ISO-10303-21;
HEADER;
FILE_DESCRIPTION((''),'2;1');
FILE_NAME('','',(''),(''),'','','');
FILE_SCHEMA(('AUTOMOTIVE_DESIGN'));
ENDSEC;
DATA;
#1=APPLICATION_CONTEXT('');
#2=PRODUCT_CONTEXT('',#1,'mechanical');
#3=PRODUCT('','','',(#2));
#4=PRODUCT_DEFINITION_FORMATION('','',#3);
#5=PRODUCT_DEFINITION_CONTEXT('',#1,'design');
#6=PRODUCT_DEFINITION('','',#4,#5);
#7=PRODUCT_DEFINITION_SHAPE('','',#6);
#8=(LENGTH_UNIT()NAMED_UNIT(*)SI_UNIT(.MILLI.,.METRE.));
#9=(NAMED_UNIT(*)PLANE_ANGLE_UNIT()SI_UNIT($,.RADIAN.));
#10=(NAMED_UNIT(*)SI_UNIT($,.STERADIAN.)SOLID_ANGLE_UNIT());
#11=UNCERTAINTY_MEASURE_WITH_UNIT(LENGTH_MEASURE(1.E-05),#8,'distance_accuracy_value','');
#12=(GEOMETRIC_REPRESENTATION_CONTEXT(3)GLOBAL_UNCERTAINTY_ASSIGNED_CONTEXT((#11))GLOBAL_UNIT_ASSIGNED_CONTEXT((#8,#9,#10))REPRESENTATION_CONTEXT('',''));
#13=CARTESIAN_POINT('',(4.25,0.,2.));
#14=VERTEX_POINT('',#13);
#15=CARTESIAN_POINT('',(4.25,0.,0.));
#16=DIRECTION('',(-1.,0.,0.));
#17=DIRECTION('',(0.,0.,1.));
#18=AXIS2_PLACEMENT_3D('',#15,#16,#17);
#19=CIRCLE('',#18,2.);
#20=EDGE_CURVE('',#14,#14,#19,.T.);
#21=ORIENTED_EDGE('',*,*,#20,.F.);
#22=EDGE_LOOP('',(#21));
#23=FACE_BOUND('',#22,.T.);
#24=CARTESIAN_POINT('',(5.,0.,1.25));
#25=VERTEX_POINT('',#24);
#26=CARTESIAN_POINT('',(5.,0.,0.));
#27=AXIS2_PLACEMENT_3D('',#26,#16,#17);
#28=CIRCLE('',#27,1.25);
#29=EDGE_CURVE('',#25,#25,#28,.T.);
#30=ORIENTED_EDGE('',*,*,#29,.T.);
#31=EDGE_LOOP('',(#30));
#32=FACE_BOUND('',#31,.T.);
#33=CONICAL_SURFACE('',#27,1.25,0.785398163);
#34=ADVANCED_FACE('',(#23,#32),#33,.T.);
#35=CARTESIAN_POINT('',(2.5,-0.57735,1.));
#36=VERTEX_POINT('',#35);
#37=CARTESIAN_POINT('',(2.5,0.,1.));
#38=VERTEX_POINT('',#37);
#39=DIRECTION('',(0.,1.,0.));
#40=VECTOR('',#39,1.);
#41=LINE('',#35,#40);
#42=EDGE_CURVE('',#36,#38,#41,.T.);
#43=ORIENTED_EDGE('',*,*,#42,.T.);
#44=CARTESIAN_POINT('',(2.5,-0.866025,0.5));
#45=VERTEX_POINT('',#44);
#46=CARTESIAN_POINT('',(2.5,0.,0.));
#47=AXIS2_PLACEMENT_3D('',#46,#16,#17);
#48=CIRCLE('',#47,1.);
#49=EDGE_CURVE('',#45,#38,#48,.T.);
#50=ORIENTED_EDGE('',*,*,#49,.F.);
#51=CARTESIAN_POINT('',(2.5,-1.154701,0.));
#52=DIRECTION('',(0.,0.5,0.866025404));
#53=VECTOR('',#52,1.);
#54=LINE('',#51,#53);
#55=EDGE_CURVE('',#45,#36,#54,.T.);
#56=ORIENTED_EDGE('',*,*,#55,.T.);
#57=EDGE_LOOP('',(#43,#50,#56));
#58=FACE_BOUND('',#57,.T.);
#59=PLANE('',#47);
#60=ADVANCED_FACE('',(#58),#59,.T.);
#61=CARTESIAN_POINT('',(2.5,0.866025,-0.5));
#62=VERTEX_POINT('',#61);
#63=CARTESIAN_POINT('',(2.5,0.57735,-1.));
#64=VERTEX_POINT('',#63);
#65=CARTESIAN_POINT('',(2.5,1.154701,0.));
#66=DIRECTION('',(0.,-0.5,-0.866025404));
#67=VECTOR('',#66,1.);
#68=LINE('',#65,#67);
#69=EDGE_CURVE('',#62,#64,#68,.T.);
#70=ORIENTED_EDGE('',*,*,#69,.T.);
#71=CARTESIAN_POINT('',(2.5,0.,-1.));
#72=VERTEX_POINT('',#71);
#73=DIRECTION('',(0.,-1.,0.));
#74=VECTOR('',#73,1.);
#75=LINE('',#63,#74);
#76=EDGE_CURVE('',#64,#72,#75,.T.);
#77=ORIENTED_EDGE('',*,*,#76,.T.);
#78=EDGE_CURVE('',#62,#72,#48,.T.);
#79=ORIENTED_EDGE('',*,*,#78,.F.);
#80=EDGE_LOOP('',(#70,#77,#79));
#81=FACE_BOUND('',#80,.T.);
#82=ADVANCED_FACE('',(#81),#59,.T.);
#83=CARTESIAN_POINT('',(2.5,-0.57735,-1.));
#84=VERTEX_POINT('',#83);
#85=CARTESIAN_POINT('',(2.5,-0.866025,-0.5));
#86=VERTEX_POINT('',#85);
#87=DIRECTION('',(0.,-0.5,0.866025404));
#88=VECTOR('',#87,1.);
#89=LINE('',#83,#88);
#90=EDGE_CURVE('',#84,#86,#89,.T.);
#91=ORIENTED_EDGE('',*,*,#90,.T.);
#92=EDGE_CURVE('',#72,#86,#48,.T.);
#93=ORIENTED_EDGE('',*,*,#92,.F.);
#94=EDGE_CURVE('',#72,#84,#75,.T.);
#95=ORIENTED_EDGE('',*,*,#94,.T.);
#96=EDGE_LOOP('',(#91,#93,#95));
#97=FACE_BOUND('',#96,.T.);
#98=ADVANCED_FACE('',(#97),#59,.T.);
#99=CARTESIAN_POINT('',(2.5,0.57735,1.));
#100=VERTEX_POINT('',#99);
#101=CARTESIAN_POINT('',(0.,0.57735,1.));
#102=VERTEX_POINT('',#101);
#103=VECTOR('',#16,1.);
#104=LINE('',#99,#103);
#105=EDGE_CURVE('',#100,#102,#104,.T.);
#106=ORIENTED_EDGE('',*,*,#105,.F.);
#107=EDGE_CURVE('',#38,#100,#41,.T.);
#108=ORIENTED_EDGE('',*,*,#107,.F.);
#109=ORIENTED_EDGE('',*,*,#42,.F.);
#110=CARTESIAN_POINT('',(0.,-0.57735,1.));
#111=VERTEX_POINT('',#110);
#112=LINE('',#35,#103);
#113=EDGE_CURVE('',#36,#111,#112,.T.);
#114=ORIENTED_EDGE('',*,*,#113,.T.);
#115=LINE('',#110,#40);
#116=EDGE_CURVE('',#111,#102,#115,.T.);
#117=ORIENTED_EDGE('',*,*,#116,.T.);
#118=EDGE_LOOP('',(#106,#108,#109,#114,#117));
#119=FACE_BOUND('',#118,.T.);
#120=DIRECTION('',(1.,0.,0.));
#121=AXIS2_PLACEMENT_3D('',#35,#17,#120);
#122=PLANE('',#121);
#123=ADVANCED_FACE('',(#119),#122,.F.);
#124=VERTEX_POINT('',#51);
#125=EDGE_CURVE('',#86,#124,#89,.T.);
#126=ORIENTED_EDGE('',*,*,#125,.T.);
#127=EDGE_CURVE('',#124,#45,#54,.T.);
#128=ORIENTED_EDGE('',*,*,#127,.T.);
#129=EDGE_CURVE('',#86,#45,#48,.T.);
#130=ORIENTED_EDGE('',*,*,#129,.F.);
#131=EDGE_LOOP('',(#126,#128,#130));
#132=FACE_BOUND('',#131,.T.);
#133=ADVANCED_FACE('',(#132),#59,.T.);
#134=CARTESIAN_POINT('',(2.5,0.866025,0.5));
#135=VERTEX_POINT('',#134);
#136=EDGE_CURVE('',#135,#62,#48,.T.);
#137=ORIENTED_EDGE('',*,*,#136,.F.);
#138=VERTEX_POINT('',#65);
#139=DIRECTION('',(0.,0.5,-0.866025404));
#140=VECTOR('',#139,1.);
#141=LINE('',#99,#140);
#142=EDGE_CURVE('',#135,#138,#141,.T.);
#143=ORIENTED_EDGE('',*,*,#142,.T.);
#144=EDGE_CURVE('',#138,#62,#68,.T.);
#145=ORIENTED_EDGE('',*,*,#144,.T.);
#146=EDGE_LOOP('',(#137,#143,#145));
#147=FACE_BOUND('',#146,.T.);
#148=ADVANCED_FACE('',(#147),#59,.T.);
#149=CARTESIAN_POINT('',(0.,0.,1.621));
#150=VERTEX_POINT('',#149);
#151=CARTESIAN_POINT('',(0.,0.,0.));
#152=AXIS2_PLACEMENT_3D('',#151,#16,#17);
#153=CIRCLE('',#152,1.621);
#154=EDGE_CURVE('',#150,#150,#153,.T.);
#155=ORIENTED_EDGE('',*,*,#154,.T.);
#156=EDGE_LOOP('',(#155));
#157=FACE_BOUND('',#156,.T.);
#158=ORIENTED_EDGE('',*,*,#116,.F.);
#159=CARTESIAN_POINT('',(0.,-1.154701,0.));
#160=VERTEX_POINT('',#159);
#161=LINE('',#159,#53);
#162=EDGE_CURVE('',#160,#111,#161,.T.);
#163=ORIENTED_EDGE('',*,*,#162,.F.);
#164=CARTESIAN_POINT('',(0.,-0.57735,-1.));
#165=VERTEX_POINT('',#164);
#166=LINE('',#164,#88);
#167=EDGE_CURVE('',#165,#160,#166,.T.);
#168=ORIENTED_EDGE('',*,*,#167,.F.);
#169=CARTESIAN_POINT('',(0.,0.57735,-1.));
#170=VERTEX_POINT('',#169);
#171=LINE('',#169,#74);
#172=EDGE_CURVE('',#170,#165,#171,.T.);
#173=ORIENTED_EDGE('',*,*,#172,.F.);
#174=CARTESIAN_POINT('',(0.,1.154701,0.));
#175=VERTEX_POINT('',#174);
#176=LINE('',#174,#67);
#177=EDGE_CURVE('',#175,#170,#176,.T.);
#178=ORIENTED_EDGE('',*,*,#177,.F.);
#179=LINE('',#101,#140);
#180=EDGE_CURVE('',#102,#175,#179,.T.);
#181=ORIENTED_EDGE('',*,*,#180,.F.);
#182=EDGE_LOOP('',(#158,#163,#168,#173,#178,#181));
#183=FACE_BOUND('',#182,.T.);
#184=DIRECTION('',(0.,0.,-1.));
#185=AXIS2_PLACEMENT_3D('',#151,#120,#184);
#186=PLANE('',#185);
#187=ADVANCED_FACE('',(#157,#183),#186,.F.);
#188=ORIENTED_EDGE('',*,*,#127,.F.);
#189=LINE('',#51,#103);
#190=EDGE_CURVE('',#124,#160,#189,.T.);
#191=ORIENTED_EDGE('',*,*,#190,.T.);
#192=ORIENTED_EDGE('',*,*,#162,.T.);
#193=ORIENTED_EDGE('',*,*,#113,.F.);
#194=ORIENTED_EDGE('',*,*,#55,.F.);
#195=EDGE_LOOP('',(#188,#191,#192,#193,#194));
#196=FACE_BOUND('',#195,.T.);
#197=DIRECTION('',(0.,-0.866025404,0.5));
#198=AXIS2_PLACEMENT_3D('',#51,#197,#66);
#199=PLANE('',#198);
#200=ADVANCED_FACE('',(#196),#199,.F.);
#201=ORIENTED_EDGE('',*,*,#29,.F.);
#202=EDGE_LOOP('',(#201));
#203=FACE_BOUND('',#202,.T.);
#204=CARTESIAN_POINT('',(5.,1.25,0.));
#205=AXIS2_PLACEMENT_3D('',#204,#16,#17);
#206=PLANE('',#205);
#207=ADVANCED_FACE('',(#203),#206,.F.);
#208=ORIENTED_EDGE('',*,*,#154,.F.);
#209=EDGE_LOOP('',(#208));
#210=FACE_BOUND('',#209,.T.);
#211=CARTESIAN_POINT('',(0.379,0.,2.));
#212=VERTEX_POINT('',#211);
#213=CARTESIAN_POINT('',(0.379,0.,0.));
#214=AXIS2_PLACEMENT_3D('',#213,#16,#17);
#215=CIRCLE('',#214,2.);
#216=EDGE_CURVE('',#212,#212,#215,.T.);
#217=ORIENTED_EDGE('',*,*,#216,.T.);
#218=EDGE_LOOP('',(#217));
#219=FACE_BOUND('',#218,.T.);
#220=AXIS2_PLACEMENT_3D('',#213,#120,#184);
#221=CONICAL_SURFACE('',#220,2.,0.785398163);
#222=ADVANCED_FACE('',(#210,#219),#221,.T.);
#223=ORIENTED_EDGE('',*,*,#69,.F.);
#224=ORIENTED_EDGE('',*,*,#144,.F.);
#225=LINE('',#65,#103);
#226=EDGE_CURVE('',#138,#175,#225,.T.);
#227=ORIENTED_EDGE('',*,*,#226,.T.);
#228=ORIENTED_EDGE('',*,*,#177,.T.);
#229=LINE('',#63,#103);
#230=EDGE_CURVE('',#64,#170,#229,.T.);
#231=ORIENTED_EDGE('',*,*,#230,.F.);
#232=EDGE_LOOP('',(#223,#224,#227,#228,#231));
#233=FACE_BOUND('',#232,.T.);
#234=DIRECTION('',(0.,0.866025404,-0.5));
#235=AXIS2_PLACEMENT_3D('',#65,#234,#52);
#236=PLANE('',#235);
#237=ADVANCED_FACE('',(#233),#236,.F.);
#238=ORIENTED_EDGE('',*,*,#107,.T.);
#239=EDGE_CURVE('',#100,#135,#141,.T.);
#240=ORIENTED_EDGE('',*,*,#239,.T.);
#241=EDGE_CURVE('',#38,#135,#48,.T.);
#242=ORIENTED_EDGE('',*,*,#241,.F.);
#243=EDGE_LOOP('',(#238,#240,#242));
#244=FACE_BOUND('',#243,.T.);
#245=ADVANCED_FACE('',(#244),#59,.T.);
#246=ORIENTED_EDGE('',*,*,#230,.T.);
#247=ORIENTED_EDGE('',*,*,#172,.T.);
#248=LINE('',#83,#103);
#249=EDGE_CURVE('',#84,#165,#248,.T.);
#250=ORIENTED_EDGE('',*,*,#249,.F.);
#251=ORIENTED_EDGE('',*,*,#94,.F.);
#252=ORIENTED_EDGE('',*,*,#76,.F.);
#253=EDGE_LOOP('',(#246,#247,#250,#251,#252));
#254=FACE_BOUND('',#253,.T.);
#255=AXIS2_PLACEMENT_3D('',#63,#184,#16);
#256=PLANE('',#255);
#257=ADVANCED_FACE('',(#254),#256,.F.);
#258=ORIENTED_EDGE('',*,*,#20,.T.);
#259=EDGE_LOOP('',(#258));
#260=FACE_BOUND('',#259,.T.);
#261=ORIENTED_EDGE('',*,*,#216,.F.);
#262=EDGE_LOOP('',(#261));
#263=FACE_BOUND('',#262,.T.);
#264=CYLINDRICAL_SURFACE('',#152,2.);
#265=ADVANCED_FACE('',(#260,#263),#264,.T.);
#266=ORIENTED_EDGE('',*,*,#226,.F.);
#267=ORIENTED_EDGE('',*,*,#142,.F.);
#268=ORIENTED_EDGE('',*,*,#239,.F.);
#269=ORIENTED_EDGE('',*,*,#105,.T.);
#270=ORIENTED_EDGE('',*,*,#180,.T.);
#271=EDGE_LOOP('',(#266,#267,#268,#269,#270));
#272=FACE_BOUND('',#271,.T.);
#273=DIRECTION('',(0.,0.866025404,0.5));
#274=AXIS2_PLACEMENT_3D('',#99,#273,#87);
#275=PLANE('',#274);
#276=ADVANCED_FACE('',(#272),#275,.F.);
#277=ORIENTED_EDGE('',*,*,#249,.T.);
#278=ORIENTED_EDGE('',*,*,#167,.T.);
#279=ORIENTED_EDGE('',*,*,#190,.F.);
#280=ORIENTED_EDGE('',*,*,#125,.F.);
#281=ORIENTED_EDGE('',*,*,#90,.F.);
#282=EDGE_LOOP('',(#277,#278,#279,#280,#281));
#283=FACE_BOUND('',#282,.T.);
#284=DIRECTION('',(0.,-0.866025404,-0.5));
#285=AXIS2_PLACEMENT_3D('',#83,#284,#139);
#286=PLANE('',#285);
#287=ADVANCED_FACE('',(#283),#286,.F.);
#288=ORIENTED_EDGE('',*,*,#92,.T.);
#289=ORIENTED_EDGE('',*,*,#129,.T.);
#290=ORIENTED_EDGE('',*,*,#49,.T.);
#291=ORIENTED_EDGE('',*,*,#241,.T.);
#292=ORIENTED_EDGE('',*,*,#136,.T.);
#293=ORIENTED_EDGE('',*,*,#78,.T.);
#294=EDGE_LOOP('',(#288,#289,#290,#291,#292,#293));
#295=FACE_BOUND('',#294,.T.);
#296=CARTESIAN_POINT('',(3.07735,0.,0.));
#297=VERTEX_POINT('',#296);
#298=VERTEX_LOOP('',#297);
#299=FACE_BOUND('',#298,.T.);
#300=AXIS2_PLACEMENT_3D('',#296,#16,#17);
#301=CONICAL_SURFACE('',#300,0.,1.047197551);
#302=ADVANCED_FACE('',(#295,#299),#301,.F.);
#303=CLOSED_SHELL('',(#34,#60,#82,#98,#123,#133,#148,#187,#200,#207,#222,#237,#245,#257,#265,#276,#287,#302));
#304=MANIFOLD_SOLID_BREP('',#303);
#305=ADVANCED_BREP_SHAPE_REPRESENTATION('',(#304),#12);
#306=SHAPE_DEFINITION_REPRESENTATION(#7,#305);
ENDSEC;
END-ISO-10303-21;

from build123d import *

# Parameters (mm, degrees)
CUT_EXTRUDE1_DEPTH = 2.5


with BuildPart() as part:
    # Sketch1 → Revolve1 (revolve)
    with BuildSketch(Plane.XY, mode=Mode.PRIVATE) as revolve1_sk:
        Polygon((5, 1.25), (5, 0), (0, 0), (0, 1.621), (0.379, 2), (4.25, 2), align=None)
    revolve(revolve1_sk.sketch.rotate(Axis((0, 0, 0), (1, 0, 0)), 90), axis=Axis((0, 0, 0), (1, 0, 0)))

    # Sketch2 → Cut-Revolve1 (revolve, cut)
    with BuildSketch(Plane.XY, mode=Mode.PRIVATE) as cut_revolve1_sk:
        Polygon((2.5, 1), (0, 1), (0, 0), (3.077350269, 0), align=None)
    revolve(cut_revolve1_sk.sketch.rotate(Axis((0, 0, 0), (1, 0, 0)), 90), axis=Axis((0, 0, 0), (1, 0, 0)), mode=Mode.SUBTRACT)

    # Sketch3 → Cut-Extrude1 (cut)
    with BuildSketch(Plane.ZY):
        Polygon((0, 1.154700538), (-1, 0.577350269), (-1, -0.577350269), (0, -1.154700538), (1, -0.577350269), (1, 0.577350269), align=None)
    extrude(amount=-CUT_EXTRUDE1_DEPTH, mode=Mode.SUBTRACT)


solid = part.part
